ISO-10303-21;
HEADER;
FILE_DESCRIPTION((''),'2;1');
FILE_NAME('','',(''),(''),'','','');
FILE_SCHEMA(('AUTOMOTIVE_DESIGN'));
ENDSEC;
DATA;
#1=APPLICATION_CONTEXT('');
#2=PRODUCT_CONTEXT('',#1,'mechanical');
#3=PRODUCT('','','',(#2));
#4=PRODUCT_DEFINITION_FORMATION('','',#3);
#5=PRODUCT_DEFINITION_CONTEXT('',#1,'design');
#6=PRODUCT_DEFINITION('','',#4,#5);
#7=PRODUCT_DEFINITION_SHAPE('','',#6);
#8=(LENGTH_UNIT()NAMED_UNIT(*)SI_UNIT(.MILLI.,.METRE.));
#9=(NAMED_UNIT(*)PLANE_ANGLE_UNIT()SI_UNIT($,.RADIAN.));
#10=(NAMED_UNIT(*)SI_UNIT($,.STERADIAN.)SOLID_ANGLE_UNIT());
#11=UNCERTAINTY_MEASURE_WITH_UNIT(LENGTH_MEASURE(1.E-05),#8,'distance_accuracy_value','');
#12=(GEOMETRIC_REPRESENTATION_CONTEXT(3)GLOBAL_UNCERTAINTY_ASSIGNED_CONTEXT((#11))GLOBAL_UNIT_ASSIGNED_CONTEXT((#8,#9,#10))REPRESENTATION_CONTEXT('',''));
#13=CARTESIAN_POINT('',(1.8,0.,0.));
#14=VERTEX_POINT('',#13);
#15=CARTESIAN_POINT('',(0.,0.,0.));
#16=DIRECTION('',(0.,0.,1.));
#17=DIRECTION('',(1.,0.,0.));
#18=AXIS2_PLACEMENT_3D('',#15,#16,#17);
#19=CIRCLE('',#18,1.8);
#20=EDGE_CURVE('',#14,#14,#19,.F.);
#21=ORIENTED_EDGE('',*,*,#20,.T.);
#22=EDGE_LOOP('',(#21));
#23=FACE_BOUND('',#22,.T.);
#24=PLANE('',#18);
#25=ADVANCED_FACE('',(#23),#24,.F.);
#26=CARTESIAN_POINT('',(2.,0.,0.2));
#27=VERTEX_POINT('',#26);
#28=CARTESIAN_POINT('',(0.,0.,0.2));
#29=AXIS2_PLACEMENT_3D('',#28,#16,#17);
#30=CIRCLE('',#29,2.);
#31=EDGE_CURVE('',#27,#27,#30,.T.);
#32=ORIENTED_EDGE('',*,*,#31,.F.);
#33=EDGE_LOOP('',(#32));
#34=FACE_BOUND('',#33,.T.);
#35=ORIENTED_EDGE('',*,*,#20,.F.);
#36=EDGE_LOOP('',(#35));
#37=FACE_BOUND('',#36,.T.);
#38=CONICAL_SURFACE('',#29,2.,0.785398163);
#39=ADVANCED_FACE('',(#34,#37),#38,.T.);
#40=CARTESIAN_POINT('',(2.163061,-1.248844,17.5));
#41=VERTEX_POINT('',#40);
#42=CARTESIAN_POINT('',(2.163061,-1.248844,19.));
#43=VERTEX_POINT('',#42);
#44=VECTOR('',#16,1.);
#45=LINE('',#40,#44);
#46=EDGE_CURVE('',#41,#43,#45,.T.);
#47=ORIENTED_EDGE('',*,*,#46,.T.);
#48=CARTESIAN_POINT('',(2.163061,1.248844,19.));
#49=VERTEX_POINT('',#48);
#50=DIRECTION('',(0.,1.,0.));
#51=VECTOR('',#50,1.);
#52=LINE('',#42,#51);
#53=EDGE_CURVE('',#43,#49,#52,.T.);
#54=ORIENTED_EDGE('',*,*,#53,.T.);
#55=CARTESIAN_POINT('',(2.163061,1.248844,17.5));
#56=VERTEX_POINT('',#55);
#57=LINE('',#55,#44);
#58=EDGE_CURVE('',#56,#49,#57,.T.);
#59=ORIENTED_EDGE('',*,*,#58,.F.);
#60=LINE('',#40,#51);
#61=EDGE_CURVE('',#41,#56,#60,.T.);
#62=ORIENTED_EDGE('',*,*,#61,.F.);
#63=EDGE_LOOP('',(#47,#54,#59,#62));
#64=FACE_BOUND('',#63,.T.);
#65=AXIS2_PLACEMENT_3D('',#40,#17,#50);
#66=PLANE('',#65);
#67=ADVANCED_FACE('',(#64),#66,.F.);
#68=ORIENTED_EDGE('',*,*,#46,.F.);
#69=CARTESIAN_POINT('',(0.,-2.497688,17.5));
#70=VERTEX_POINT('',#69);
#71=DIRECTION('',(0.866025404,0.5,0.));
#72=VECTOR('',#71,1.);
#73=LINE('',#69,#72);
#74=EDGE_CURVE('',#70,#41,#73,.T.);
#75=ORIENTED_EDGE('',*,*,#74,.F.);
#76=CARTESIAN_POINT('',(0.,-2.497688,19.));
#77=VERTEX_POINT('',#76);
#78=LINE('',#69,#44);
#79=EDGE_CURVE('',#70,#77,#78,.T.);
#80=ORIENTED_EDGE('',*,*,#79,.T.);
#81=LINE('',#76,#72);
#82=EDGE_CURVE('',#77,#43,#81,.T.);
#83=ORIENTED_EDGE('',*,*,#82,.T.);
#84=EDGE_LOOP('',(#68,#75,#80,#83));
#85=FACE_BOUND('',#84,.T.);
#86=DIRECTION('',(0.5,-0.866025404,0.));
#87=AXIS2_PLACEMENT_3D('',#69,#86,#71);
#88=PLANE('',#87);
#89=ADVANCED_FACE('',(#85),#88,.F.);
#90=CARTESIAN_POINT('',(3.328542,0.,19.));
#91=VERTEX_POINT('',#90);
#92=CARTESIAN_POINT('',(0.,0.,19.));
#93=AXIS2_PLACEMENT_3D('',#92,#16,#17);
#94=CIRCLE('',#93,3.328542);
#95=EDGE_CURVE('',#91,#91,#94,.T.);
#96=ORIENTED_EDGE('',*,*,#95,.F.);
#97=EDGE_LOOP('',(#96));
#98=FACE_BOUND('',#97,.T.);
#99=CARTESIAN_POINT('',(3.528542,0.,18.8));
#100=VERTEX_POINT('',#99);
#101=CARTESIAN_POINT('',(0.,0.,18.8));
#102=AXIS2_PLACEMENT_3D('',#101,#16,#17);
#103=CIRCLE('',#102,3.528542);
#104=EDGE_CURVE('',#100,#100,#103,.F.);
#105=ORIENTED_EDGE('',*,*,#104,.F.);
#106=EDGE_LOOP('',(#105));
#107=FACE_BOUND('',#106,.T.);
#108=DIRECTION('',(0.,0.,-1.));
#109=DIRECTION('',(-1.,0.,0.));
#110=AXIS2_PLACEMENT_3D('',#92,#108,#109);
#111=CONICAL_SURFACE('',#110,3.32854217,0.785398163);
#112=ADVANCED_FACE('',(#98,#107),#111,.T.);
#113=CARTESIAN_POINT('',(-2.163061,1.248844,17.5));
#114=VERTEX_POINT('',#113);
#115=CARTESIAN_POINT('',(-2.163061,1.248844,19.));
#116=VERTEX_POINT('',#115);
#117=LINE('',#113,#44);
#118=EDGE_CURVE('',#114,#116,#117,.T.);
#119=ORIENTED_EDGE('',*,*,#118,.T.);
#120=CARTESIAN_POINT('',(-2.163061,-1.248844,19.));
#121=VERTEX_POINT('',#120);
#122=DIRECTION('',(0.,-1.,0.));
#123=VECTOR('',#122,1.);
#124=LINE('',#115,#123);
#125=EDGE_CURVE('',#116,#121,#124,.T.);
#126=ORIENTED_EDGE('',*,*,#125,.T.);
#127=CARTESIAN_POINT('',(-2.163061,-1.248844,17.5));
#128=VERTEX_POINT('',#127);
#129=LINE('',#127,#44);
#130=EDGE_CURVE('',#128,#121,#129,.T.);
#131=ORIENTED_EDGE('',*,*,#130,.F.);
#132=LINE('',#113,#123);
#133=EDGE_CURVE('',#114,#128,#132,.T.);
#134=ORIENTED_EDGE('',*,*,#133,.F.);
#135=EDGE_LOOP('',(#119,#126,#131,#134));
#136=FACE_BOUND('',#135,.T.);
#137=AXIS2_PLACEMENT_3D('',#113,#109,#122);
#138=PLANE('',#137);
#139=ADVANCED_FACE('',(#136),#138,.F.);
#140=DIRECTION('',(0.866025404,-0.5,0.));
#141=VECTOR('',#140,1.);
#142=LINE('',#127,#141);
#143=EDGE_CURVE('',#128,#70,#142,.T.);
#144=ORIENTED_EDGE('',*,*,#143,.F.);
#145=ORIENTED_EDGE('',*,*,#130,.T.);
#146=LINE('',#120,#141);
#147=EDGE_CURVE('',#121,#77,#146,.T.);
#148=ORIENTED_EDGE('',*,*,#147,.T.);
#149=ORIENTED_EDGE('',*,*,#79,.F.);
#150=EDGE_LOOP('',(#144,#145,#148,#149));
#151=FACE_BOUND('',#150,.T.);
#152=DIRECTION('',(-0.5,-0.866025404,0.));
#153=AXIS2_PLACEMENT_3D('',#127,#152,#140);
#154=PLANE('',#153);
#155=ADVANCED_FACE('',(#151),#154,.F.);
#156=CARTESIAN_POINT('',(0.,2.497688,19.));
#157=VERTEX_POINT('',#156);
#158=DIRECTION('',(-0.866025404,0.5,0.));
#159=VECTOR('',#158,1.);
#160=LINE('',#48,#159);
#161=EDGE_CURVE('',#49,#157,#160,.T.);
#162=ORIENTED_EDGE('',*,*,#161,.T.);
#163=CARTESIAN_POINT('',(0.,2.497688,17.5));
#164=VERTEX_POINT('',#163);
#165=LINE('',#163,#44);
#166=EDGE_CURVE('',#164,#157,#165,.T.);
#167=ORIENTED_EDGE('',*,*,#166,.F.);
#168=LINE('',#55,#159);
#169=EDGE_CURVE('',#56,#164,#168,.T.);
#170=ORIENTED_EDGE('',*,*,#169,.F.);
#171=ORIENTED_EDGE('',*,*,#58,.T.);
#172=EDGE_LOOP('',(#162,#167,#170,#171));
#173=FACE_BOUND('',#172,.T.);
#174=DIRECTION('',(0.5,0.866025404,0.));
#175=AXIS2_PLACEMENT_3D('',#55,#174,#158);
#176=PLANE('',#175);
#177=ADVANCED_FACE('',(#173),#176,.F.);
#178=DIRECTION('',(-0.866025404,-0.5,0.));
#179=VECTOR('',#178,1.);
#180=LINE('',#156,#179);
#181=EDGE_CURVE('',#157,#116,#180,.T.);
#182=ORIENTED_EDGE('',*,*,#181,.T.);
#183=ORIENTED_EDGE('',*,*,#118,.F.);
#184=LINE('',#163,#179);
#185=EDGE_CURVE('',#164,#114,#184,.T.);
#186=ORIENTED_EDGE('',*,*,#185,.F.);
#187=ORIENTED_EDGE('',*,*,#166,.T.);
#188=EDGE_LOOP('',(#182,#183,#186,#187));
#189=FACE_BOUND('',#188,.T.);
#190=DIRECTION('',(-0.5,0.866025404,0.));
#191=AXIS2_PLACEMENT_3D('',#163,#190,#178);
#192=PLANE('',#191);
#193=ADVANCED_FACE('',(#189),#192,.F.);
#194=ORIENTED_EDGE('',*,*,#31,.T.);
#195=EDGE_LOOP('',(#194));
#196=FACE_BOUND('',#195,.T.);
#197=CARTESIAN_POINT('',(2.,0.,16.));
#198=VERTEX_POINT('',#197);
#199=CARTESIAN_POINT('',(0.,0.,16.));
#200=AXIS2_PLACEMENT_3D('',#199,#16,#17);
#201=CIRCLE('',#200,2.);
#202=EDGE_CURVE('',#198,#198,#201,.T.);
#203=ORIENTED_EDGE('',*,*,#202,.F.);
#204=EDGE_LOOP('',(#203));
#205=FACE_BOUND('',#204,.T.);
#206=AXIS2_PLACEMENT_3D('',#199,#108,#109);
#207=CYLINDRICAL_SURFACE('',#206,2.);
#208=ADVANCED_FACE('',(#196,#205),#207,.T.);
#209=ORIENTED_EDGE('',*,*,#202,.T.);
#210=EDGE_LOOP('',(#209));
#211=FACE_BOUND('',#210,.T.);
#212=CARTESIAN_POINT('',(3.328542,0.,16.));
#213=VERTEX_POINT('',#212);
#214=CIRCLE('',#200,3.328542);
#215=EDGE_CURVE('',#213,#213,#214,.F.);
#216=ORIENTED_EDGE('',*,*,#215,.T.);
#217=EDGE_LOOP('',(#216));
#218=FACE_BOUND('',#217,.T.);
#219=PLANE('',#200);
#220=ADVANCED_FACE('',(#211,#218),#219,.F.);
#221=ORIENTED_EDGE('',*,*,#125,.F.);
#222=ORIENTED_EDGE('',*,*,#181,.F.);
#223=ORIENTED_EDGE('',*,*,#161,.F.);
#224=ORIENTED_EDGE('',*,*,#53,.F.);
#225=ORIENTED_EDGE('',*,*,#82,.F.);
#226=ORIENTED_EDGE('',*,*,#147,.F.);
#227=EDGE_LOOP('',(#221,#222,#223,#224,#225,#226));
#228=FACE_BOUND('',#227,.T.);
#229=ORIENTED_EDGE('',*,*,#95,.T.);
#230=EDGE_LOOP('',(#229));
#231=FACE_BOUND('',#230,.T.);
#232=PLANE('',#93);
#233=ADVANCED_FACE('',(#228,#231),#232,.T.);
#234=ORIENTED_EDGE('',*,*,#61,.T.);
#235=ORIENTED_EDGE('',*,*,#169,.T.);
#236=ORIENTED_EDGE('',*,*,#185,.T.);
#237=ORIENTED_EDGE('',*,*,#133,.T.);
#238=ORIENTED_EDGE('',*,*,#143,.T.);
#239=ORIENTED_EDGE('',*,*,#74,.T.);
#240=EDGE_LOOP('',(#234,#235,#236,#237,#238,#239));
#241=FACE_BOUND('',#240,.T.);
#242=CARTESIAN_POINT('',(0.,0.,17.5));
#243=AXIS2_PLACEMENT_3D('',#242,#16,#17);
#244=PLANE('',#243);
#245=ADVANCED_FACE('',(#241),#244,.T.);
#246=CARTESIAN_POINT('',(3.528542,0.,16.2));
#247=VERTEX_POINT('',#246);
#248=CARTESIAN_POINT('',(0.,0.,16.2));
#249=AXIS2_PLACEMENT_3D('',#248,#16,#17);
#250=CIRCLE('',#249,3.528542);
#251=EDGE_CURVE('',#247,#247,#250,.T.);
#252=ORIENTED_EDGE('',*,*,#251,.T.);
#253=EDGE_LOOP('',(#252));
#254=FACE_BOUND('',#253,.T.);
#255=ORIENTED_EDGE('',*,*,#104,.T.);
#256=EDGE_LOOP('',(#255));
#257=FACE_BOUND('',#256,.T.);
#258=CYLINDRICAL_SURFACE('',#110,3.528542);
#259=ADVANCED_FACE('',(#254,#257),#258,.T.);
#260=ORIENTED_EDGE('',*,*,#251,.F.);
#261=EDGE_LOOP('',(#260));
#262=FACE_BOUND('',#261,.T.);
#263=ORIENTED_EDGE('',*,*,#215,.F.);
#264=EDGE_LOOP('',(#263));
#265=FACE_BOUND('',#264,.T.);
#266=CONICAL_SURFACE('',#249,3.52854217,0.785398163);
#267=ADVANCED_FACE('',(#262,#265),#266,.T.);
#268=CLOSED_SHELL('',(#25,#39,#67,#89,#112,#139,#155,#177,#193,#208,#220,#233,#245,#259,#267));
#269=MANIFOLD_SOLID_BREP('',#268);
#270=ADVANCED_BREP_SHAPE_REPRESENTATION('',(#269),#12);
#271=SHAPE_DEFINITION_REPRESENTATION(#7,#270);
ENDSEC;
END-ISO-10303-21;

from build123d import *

# Parameters (mm, degrees)
SKETCH_1_R          = 2
EXTRUDE_1_DEPTH     = 16
SKETCH_2_R          = 3.52854217
EXTRUDE_3_DEPTH     = 3
CUT_EXTRUDE_2_DEPTH = 1.5
CHAMFER_1_SIZE      = 0.2
CHAMFER_2_SIZE      = 0.2


with BuildPart() as part:
    # 草图1 → 凸台-拉伸1 (new body)
    with BuildSketch(Plane.XY):
        Circle(SKETCH_1_R)
    extrude(amount=EXTRUDE_1_DEPTH)

    # 草图2 → 凸台-拉伸3 (add)
    with BuildSketch(Plane.XY.offset(16)):
        Circle(SKETCH_2_R)
    extrude(amount=EXTRUDE_3_DEPTH)

    # 草图3 → 切除-拉伸2 (cut)
    with BuildSketch(Plane.XY.offset(19)):
        Polygon((0, 2.497687594), (-2.163060907, 1.248843797), (-2.163060907, -1.248843797), (0, -2.497687594), (2.163060907, -1.248843797), (2.163060907, 1.248843797), align=None)
    extrude(amount=-CUT_EXTRUDE_2_DEPTH, mode=Mode.SUBTRACT)

    # 倒角1
    chamfer_1_edges = [part.edges().sort_by_distance(p)[0] for p in [
        (-2, 0, 0),
    ]]
    chamfer(chamfer_1_edges, length=CHAMFER_1_SIZE)

    # 倒角2
    chamfer_2_edges = [part.edges().sort_by_distance(p)[0] for p in [
        (-3.52854217, 0, 16),
        (-3.52854217, 0, 19),
    ]]
    chamfer(chamfer_2_edges, length=CHAMFER_2_SIZE)


solid = part.part
